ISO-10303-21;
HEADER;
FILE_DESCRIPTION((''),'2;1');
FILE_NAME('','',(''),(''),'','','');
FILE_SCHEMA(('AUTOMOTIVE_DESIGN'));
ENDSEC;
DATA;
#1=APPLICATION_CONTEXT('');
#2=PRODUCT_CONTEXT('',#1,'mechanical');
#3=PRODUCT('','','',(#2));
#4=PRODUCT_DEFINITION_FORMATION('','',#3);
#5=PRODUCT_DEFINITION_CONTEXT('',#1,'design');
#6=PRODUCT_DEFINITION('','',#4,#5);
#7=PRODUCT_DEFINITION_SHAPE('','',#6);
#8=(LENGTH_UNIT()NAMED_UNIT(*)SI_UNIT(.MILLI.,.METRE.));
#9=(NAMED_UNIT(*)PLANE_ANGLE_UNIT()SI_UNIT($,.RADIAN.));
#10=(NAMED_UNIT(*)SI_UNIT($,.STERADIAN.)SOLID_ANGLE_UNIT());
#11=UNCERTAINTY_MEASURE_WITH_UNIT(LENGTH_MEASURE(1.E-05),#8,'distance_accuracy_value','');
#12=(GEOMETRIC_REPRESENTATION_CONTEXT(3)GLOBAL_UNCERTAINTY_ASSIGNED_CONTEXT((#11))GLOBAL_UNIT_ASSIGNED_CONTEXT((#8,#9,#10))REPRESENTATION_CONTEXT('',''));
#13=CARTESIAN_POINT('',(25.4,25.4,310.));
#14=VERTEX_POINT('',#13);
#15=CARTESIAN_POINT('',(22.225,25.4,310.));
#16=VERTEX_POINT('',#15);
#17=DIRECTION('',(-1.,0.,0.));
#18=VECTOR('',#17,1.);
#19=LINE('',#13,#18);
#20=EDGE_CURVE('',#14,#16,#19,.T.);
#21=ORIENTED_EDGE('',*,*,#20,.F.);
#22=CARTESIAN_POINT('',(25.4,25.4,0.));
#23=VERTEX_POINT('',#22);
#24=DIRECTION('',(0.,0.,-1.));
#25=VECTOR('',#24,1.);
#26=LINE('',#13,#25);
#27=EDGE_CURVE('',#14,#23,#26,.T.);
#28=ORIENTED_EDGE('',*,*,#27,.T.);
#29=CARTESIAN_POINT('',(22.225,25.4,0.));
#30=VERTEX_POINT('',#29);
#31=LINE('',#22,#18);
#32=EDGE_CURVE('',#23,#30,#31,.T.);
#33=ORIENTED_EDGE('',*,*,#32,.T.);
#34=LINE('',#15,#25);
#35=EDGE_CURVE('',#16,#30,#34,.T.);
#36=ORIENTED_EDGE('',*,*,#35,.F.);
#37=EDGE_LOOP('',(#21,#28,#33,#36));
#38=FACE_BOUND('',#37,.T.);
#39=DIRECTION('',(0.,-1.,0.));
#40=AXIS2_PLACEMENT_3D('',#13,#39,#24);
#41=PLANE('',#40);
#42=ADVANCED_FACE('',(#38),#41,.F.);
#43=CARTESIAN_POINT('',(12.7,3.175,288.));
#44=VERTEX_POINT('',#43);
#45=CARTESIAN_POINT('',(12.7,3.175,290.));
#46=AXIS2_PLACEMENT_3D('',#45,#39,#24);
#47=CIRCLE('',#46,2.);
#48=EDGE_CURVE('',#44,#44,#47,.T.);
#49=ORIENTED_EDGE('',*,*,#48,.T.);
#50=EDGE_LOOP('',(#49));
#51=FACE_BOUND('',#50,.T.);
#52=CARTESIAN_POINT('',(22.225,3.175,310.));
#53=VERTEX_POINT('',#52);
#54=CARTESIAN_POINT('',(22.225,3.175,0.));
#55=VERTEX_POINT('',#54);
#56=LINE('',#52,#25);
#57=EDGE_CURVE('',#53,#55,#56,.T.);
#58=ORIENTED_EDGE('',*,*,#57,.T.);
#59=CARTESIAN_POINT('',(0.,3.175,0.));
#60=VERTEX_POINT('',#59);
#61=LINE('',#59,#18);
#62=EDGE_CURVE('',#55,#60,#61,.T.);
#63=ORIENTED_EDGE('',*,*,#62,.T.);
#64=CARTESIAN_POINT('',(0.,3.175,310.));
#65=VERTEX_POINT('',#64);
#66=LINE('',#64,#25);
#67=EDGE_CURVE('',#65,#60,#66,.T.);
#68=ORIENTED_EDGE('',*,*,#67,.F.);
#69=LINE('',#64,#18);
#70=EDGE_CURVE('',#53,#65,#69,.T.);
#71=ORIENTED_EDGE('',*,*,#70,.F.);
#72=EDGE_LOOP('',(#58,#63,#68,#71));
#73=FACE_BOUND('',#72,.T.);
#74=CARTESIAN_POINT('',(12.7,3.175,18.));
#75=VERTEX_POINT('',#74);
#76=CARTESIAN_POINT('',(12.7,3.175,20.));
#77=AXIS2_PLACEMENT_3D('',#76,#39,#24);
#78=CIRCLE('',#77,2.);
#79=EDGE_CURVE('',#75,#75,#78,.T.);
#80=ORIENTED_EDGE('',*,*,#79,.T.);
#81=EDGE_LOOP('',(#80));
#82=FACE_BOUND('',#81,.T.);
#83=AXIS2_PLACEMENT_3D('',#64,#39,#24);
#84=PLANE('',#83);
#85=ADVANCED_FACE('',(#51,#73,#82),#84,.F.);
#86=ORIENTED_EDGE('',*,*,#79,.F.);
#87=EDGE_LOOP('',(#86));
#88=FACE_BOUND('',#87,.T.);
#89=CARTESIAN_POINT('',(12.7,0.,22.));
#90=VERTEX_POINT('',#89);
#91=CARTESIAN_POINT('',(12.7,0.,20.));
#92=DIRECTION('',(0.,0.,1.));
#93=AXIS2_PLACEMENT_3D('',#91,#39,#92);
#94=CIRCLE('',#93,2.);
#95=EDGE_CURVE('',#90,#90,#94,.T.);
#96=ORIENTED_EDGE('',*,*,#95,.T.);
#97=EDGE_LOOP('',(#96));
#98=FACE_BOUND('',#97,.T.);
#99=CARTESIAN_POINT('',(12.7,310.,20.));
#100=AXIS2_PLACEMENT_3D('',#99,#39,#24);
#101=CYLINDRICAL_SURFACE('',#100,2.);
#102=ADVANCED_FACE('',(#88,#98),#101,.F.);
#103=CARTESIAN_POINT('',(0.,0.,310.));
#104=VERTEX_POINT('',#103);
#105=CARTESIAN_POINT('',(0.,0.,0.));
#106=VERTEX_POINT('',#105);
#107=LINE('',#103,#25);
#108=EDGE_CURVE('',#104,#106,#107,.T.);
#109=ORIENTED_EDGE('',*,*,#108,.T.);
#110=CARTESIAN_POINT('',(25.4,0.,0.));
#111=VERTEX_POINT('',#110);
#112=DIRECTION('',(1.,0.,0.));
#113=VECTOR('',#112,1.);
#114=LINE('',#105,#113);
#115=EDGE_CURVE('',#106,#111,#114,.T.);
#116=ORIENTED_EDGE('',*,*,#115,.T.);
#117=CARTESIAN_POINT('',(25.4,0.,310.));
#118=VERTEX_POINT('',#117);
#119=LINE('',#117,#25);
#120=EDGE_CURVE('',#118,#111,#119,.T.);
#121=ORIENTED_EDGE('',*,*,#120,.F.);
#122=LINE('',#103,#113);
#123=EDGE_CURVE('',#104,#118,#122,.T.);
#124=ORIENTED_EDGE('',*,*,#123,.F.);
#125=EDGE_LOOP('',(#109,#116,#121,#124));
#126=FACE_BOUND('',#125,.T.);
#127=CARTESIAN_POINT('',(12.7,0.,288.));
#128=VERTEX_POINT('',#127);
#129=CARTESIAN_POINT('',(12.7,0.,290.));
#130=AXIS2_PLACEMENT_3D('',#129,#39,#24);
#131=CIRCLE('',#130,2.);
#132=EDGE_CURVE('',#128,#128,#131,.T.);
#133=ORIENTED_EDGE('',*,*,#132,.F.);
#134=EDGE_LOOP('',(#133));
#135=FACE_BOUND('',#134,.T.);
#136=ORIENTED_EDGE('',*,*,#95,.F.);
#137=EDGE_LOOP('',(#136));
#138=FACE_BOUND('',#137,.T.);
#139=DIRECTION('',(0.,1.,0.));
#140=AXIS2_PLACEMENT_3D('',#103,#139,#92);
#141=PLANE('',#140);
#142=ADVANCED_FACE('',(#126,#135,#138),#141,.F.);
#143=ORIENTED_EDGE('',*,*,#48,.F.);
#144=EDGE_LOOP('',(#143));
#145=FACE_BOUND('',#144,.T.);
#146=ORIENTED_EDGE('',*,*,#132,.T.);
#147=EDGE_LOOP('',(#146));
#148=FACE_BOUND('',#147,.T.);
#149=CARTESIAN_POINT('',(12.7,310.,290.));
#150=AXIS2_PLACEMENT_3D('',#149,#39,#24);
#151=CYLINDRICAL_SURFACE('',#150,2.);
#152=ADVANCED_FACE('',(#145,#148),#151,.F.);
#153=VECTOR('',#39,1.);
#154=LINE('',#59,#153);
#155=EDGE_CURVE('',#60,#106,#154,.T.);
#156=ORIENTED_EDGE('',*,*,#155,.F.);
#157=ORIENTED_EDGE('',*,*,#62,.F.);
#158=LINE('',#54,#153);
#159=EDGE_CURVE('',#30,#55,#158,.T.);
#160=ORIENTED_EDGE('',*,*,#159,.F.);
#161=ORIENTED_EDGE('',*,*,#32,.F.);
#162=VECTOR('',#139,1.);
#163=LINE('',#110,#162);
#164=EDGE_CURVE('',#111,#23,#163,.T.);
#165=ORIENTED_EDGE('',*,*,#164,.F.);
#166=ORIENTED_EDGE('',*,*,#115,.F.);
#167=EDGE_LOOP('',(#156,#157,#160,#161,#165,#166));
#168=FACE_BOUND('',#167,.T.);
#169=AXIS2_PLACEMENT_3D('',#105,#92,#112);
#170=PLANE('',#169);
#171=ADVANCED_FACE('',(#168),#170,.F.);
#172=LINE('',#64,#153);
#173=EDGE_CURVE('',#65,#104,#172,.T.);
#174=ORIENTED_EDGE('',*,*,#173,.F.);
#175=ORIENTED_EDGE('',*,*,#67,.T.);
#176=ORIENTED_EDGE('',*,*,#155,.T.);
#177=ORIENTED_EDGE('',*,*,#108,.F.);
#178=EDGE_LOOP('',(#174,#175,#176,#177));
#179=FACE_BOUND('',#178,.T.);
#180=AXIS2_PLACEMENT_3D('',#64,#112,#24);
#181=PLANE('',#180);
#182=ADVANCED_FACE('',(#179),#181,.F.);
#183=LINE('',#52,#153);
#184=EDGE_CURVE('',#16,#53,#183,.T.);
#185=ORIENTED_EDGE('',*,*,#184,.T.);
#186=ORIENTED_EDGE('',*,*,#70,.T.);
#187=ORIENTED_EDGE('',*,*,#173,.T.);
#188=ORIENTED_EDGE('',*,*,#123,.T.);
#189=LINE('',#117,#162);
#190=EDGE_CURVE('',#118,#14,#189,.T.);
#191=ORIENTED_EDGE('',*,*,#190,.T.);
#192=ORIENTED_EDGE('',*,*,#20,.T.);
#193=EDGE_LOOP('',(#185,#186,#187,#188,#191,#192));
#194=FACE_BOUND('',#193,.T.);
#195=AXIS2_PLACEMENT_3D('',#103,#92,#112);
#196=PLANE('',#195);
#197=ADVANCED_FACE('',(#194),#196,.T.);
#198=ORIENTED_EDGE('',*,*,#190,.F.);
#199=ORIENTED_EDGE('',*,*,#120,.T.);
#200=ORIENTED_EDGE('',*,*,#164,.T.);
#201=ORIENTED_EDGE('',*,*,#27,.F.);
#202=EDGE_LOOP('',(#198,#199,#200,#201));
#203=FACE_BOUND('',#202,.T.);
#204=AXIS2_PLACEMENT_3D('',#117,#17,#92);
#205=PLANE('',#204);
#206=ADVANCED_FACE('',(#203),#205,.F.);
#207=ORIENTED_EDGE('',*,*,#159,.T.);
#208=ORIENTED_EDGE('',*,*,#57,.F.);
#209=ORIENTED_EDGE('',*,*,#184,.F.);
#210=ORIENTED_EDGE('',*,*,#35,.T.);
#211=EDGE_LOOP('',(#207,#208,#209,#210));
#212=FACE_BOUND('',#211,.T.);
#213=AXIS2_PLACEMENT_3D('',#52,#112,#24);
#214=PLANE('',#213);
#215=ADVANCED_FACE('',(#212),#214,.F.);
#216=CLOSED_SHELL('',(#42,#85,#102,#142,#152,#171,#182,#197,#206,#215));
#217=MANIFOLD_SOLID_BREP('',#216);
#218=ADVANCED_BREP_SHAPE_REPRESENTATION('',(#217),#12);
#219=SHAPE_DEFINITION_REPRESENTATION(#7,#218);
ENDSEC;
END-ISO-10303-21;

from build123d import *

# Parameters (mm, degrees)
BOSS_EXTRUDE1_DEPTH = 310
SKETCH2_R           = 2
CUT_EXTRUDE1_DEPTH  = 310


with BuildPart() as part:
    # Sketch1 → Boss-Extrude1 (new body)
    with BuildSketch(Plane.XY):
        Polygon((0, 0), (25.4, 0), (25.4, 25.4), (22.225, 25.4), (22.225, 3.175), (0, 3.175), align=None)
    extrude(amount=BOSS_EXTRUDE1_DEPTH)

    # Sketch2 → Cut-Extrude1 (cut)
    with BuildSketch(Plane.XZ):
        with Locations(Location((12.7, 290, 0), (0, 0, 270))):
            Circle(SKETCH2_R)
        with Locations(Location((12.7, 20, 0), (0, 0, 270))):
            Circle(SKETCH2_R)
    extrude(amount=-CUT_EXTRUDE1_DEPTH, mode=Mode.SUBTRACT)


solid = part.part
